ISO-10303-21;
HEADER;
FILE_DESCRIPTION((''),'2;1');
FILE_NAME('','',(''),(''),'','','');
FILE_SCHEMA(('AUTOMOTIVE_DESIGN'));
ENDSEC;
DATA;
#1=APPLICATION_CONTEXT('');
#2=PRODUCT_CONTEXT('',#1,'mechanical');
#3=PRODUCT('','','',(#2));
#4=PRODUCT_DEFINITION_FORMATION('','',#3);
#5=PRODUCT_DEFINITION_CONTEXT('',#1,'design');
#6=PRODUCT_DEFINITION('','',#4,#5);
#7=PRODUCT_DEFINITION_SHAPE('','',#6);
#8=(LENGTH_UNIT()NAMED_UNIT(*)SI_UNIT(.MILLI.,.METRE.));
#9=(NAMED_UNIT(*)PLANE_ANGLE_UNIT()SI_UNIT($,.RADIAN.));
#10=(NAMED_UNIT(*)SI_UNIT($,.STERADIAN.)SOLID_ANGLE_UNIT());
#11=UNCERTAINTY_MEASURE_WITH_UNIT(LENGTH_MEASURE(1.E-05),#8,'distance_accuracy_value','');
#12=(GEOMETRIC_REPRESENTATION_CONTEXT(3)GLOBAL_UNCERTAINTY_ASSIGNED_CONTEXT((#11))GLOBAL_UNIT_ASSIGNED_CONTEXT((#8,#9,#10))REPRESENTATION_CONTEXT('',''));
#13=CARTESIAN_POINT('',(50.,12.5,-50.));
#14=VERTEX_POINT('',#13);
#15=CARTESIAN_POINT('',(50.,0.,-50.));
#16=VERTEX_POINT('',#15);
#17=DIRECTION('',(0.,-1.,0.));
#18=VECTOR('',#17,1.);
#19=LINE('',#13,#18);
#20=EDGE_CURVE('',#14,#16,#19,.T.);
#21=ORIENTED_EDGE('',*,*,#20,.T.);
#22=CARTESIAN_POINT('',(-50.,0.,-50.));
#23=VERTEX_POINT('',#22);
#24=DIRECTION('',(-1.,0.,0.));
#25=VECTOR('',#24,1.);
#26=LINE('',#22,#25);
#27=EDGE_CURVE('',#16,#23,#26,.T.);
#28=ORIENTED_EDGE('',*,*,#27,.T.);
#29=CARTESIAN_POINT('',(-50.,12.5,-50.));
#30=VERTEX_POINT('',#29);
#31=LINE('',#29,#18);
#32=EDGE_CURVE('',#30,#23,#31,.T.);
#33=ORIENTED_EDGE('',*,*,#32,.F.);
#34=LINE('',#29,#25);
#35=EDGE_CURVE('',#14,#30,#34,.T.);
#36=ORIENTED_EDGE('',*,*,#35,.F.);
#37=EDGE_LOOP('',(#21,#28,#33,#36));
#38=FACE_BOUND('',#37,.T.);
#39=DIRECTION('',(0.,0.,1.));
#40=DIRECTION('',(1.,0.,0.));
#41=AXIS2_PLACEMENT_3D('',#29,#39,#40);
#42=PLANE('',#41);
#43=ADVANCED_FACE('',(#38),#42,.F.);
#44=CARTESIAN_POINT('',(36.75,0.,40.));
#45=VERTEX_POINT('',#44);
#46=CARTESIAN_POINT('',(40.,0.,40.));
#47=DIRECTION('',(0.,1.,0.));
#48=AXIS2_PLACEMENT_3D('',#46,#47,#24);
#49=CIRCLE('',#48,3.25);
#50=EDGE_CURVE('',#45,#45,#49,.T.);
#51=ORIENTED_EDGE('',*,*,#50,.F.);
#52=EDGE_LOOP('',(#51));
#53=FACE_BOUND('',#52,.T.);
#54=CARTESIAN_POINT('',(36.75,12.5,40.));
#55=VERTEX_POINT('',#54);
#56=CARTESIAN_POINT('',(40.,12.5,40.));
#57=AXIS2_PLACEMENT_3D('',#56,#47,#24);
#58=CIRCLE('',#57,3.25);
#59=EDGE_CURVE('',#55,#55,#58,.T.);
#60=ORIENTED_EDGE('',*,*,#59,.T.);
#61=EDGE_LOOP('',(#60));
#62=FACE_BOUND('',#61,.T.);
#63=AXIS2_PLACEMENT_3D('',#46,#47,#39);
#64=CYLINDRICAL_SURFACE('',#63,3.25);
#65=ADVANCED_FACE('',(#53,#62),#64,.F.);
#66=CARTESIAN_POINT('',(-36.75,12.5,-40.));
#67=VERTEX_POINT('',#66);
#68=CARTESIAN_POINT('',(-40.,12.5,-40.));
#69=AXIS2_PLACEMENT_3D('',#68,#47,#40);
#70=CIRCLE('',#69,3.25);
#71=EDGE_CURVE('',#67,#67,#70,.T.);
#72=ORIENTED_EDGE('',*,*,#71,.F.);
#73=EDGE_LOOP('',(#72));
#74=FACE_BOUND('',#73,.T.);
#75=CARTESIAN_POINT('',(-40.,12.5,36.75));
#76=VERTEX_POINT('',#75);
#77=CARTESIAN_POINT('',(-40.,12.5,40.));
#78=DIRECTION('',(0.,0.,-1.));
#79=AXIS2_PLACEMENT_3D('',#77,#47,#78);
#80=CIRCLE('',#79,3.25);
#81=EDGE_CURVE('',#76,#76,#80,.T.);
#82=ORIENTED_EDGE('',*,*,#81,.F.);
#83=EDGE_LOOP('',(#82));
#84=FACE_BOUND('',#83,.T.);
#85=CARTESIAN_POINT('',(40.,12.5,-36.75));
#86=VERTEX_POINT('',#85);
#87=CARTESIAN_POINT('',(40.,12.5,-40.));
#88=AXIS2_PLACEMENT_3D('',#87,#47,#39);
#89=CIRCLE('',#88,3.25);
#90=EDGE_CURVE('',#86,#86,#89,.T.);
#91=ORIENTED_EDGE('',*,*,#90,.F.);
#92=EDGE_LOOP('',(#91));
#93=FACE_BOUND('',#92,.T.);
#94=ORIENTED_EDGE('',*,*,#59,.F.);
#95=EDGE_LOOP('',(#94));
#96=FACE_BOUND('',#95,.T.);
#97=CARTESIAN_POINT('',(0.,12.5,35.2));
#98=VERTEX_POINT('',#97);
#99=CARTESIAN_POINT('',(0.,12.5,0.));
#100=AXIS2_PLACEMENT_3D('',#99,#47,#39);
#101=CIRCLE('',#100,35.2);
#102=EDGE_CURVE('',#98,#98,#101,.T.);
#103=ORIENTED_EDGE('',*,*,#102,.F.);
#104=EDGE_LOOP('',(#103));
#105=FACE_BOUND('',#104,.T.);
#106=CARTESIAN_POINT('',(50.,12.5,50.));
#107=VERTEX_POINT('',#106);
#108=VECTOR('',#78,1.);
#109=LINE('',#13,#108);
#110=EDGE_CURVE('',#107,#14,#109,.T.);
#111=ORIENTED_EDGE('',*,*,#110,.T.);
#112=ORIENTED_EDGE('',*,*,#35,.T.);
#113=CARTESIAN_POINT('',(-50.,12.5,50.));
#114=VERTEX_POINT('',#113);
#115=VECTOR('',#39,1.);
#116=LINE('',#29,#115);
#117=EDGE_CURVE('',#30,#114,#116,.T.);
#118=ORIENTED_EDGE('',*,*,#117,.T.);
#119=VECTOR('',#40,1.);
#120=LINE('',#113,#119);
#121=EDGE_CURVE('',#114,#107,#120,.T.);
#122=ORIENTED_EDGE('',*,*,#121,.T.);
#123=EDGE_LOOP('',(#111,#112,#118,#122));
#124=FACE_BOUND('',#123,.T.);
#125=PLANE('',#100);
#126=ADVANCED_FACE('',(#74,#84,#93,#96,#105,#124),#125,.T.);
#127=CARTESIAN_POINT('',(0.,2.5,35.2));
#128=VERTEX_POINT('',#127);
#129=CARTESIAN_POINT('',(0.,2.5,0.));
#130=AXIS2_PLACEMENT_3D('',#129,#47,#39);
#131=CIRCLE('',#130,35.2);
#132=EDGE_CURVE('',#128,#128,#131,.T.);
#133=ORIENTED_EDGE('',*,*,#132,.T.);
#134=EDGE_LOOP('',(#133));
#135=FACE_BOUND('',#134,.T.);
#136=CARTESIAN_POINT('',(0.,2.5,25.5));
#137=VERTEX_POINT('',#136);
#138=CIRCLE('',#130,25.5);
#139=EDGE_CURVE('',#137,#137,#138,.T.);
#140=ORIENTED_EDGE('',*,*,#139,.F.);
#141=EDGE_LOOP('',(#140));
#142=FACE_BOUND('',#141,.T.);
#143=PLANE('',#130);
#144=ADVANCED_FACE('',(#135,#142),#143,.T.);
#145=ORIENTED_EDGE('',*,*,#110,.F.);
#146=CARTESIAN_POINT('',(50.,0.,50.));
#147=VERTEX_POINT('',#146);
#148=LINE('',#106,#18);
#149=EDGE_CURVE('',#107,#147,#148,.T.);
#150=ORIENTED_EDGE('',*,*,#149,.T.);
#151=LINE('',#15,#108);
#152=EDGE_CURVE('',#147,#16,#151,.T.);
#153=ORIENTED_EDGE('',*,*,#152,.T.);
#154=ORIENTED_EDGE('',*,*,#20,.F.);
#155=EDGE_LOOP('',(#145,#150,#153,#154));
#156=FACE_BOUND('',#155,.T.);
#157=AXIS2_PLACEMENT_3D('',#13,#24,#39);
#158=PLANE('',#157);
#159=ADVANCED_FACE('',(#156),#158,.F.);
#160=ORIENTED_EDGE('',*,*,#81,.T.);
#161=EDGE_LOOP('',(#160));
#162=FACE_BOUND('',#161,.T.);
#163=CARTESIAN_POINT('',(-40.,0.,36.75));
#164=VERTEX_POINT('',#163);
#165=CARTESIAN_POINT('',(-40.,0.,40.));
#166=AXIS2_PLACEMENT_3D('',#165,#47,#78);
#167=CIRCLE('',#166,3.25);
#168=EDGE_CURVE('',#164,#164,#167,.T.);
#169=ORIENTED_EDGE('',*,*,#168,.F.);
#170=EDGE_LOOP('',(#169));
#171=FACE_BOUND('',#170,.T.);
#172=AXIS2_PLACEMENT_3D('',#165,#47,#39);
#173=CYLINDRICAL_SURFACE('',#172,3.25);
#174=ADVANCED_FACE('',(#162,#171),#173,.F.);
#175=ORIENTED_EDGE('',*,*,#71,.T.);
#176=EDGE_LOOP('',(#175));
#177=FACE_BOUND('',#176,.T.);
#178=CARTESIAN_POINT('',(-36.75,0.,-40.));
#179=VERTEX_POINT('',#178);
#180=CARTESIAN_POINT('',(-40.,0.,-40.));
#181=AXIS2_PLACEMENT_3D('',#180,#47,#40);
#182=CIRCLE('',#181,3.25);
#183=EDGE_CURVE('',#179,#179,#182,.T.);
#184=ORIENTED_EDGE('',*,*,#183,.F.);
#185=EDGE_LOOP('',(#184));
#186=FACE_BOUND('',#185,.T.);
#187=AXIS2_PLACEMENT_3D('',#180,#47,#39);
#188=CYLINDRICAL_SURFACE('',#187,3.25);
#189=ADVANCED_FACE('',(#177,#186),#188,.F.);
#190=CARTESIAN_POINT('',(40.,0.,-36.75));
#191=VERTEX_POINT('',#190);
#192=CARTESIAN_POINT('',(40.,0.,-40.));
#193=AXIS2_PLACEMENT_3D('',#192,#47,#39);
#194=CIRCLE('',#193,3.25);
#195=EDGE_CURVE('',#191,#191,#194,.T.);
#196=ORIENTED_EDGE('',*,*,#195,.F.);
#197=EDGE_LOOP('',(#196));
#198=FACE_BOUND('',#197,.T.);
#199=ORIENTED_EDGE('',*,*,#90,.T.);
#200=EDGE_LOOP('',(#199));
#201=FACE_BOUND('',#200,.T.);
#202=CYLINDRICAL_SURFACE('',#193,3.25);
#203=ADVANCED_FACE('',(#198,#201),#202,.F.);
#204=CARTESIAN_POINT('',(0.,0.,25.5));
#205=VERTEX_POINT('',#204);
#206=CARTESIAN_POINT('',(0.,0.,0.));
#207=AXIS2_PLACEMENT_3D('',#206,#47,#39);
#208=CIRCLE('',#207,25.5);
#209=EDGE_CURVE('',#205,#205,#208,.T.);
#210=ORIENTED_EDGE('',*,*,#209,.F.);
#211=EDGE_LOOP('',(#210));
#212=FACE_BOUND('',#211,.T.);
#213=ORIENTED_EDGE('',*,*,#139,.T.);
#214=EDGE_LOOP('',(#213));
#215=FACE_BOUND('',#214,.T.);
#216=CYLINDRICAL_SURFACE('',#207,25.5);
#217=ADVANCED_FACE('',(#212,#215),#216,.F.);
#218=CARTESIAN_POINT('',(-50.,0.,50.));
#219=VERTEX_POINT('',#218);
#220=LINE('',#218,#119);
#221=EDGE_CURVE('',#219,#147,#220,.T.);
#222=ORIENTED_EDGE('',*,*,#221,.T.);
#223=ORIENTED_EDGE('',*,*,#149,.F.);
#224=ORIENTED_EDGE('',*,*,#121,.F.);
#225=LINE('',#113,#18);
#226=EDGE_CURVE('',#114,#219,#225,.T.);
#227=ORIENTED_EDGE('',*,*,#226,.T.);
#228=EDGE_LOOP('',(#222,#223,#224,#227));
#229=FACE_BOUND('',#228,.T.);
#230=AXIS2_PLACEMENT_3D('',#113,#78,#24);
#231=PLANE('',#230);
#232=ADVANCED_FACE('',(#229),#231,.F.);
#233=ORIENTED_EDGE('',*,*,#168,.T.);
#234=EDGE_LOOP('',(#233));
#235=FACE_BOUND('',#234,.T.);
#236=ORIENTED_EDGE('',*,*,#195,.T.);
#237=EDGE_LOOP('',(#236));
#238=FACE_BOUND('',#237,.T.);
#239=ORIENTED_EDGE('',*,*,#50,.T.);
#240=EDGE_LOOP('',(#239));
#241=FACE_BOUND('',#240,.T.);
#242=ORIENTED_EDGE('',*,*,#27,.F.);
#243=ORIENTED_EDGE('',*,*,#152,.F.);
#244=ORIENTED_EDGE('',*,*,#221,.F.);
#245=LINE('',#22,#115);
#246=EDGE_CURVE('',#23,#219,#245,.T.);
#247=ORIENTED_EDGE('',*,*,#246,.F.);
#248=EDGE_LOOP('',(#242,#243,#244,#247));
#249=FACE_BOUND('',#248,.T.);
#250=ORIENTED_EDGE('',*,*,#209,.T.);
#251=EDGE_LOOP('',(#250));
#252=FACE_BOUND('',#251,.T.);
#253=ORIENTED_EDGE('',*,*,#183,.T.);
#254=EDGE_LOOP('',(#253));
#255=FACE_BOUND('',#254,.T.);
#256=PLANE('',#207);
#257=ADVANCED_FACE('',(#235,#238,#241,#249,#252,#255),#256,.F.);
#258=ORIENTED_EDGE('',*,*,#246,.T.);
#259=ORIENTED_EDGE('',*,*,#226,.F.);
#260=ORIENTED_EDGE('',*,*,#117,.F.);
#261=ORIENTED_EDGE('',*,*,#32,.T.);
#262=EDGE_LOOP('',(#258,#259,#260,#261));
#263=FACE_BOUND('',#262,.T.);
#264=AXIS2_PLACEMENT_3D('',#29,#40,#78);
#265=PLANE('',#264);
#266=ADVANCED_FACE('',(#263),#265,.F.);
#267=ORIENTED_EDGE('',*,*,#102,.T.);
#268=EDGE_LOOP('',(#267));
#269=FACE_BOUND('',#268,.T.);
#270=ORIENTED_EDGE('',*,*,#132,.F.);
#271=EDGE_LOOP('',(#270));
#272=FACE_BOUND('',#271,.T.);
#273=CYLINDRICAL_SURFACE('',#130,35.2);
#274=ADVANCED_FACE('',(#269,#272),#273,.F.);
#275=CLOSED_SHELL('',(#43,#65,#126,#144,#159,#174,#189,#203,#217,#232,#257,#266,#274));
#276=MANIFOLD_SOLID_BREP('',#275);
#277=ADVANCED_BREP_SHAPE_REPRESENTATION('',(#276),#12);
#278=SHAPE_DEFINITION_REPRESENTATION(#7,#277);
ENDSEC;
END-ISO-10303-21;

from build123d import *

# Parameters (mm, degrees)
CROQUIS1_W              = 100
CROQUIS1_H              = 100
SALIENTE_EXTRUIR1_DEPTH = 12.5
CROQUIS2_R              = 35.2
CORTAR_EXTRUIR1_DEPTH   = 10
CROQUIS3_R              = 25.5
CORTAR_EXTRUIR2_DEPTH   = 72.414284285
CORTAR_EXTRUIR3_DEPTH   = 72.807033082
MATRIZC1_COUNT          = 4


with BuildPart() as part:
    # Croquis1 → Saliente-Extruir1 (new body)
    with BuildSketch(Plane(origin=(0, 0, 0), x_dir=(1, 0, 0), z_dir=(0, 1, 0))):
        Rectangle(CROQUIS1_W, CROQUIS1_H)
    extrude(amount=SALIENTE_EXTRUIR1_DEPTH)

    # Croquis2 → Cortar-Extruir1 (cut)
    with BuildSketch(Plane(origin=(0, 12.5, 0), x_dir=(1, 0, 0), z_dir=(0, 1, 0))):
        with Locations(Location((0, 0, 0), (0, 0, 270))):
            Circle(CROQUIS2_R)
    extrude(amount=-CORTAR_EXTRUIR1_DEPTH, mode=Mode.SUBTRACT)

    # Croquis3 → Cortar-Extruir2 (cut, through all)
    with BuildSketch(Plane(origin=(0, 2.5, 0), x_dir=(1, 0, 0), z_dir=(0, 1, 0))):
        with Locations(Location((0, 0, 0), (0, 0, 270))):
            Circle(CROQUIS3_R)
    extrude(amount=-CORTAR_EXTRUIR2_DEPTH, mode=Mode.SUBTRACT)

    # Croquis4 → Cortar-Extruir3 (cut, through all)
    with BuildSketch(Plane(origin=(0, 12.5, 0), x_dir=(1, 0, 0), z_dir=(0, 1, 0))):
        with BuildLine():
            ThreePointArc((36.75, 40), (37.701902961, 37.701902961), (40, 36.75))
            Line((40, 36.75), (40, 40))
            Line((40, 40), (36.75, 40))
        make_face()
        with BuildLine():
            Line((40, 40), (40, 36.75))
            ThreePointArc((40, 36.75), (42.298097039, 37.701902961), (43.25, 40))
            ThreePointArc((43.25, 40), (40, 43.25), (36.75, 40))
            Line((36.75, 40), (40, 40))
        make_face()
    cortar_extruir3 = extrude(amount=-CORTAR_EXTRUIR3_DEPTH, mode=Mode.SUBTRACT)

    # MatrizC1: Cortar-Extruir3 ×4 about axis
    matrizc1_axis = Axis((0, 0, 0), (0, 1, 0))
    for i in range(1, MATRIZC1_COUNT):
        add(cortar_extruir3.rotate(matrizc1_axis, i * 360 / MATRIZC1_COUNT), mode=Mode.SUBTRACT)


solid = part.part
